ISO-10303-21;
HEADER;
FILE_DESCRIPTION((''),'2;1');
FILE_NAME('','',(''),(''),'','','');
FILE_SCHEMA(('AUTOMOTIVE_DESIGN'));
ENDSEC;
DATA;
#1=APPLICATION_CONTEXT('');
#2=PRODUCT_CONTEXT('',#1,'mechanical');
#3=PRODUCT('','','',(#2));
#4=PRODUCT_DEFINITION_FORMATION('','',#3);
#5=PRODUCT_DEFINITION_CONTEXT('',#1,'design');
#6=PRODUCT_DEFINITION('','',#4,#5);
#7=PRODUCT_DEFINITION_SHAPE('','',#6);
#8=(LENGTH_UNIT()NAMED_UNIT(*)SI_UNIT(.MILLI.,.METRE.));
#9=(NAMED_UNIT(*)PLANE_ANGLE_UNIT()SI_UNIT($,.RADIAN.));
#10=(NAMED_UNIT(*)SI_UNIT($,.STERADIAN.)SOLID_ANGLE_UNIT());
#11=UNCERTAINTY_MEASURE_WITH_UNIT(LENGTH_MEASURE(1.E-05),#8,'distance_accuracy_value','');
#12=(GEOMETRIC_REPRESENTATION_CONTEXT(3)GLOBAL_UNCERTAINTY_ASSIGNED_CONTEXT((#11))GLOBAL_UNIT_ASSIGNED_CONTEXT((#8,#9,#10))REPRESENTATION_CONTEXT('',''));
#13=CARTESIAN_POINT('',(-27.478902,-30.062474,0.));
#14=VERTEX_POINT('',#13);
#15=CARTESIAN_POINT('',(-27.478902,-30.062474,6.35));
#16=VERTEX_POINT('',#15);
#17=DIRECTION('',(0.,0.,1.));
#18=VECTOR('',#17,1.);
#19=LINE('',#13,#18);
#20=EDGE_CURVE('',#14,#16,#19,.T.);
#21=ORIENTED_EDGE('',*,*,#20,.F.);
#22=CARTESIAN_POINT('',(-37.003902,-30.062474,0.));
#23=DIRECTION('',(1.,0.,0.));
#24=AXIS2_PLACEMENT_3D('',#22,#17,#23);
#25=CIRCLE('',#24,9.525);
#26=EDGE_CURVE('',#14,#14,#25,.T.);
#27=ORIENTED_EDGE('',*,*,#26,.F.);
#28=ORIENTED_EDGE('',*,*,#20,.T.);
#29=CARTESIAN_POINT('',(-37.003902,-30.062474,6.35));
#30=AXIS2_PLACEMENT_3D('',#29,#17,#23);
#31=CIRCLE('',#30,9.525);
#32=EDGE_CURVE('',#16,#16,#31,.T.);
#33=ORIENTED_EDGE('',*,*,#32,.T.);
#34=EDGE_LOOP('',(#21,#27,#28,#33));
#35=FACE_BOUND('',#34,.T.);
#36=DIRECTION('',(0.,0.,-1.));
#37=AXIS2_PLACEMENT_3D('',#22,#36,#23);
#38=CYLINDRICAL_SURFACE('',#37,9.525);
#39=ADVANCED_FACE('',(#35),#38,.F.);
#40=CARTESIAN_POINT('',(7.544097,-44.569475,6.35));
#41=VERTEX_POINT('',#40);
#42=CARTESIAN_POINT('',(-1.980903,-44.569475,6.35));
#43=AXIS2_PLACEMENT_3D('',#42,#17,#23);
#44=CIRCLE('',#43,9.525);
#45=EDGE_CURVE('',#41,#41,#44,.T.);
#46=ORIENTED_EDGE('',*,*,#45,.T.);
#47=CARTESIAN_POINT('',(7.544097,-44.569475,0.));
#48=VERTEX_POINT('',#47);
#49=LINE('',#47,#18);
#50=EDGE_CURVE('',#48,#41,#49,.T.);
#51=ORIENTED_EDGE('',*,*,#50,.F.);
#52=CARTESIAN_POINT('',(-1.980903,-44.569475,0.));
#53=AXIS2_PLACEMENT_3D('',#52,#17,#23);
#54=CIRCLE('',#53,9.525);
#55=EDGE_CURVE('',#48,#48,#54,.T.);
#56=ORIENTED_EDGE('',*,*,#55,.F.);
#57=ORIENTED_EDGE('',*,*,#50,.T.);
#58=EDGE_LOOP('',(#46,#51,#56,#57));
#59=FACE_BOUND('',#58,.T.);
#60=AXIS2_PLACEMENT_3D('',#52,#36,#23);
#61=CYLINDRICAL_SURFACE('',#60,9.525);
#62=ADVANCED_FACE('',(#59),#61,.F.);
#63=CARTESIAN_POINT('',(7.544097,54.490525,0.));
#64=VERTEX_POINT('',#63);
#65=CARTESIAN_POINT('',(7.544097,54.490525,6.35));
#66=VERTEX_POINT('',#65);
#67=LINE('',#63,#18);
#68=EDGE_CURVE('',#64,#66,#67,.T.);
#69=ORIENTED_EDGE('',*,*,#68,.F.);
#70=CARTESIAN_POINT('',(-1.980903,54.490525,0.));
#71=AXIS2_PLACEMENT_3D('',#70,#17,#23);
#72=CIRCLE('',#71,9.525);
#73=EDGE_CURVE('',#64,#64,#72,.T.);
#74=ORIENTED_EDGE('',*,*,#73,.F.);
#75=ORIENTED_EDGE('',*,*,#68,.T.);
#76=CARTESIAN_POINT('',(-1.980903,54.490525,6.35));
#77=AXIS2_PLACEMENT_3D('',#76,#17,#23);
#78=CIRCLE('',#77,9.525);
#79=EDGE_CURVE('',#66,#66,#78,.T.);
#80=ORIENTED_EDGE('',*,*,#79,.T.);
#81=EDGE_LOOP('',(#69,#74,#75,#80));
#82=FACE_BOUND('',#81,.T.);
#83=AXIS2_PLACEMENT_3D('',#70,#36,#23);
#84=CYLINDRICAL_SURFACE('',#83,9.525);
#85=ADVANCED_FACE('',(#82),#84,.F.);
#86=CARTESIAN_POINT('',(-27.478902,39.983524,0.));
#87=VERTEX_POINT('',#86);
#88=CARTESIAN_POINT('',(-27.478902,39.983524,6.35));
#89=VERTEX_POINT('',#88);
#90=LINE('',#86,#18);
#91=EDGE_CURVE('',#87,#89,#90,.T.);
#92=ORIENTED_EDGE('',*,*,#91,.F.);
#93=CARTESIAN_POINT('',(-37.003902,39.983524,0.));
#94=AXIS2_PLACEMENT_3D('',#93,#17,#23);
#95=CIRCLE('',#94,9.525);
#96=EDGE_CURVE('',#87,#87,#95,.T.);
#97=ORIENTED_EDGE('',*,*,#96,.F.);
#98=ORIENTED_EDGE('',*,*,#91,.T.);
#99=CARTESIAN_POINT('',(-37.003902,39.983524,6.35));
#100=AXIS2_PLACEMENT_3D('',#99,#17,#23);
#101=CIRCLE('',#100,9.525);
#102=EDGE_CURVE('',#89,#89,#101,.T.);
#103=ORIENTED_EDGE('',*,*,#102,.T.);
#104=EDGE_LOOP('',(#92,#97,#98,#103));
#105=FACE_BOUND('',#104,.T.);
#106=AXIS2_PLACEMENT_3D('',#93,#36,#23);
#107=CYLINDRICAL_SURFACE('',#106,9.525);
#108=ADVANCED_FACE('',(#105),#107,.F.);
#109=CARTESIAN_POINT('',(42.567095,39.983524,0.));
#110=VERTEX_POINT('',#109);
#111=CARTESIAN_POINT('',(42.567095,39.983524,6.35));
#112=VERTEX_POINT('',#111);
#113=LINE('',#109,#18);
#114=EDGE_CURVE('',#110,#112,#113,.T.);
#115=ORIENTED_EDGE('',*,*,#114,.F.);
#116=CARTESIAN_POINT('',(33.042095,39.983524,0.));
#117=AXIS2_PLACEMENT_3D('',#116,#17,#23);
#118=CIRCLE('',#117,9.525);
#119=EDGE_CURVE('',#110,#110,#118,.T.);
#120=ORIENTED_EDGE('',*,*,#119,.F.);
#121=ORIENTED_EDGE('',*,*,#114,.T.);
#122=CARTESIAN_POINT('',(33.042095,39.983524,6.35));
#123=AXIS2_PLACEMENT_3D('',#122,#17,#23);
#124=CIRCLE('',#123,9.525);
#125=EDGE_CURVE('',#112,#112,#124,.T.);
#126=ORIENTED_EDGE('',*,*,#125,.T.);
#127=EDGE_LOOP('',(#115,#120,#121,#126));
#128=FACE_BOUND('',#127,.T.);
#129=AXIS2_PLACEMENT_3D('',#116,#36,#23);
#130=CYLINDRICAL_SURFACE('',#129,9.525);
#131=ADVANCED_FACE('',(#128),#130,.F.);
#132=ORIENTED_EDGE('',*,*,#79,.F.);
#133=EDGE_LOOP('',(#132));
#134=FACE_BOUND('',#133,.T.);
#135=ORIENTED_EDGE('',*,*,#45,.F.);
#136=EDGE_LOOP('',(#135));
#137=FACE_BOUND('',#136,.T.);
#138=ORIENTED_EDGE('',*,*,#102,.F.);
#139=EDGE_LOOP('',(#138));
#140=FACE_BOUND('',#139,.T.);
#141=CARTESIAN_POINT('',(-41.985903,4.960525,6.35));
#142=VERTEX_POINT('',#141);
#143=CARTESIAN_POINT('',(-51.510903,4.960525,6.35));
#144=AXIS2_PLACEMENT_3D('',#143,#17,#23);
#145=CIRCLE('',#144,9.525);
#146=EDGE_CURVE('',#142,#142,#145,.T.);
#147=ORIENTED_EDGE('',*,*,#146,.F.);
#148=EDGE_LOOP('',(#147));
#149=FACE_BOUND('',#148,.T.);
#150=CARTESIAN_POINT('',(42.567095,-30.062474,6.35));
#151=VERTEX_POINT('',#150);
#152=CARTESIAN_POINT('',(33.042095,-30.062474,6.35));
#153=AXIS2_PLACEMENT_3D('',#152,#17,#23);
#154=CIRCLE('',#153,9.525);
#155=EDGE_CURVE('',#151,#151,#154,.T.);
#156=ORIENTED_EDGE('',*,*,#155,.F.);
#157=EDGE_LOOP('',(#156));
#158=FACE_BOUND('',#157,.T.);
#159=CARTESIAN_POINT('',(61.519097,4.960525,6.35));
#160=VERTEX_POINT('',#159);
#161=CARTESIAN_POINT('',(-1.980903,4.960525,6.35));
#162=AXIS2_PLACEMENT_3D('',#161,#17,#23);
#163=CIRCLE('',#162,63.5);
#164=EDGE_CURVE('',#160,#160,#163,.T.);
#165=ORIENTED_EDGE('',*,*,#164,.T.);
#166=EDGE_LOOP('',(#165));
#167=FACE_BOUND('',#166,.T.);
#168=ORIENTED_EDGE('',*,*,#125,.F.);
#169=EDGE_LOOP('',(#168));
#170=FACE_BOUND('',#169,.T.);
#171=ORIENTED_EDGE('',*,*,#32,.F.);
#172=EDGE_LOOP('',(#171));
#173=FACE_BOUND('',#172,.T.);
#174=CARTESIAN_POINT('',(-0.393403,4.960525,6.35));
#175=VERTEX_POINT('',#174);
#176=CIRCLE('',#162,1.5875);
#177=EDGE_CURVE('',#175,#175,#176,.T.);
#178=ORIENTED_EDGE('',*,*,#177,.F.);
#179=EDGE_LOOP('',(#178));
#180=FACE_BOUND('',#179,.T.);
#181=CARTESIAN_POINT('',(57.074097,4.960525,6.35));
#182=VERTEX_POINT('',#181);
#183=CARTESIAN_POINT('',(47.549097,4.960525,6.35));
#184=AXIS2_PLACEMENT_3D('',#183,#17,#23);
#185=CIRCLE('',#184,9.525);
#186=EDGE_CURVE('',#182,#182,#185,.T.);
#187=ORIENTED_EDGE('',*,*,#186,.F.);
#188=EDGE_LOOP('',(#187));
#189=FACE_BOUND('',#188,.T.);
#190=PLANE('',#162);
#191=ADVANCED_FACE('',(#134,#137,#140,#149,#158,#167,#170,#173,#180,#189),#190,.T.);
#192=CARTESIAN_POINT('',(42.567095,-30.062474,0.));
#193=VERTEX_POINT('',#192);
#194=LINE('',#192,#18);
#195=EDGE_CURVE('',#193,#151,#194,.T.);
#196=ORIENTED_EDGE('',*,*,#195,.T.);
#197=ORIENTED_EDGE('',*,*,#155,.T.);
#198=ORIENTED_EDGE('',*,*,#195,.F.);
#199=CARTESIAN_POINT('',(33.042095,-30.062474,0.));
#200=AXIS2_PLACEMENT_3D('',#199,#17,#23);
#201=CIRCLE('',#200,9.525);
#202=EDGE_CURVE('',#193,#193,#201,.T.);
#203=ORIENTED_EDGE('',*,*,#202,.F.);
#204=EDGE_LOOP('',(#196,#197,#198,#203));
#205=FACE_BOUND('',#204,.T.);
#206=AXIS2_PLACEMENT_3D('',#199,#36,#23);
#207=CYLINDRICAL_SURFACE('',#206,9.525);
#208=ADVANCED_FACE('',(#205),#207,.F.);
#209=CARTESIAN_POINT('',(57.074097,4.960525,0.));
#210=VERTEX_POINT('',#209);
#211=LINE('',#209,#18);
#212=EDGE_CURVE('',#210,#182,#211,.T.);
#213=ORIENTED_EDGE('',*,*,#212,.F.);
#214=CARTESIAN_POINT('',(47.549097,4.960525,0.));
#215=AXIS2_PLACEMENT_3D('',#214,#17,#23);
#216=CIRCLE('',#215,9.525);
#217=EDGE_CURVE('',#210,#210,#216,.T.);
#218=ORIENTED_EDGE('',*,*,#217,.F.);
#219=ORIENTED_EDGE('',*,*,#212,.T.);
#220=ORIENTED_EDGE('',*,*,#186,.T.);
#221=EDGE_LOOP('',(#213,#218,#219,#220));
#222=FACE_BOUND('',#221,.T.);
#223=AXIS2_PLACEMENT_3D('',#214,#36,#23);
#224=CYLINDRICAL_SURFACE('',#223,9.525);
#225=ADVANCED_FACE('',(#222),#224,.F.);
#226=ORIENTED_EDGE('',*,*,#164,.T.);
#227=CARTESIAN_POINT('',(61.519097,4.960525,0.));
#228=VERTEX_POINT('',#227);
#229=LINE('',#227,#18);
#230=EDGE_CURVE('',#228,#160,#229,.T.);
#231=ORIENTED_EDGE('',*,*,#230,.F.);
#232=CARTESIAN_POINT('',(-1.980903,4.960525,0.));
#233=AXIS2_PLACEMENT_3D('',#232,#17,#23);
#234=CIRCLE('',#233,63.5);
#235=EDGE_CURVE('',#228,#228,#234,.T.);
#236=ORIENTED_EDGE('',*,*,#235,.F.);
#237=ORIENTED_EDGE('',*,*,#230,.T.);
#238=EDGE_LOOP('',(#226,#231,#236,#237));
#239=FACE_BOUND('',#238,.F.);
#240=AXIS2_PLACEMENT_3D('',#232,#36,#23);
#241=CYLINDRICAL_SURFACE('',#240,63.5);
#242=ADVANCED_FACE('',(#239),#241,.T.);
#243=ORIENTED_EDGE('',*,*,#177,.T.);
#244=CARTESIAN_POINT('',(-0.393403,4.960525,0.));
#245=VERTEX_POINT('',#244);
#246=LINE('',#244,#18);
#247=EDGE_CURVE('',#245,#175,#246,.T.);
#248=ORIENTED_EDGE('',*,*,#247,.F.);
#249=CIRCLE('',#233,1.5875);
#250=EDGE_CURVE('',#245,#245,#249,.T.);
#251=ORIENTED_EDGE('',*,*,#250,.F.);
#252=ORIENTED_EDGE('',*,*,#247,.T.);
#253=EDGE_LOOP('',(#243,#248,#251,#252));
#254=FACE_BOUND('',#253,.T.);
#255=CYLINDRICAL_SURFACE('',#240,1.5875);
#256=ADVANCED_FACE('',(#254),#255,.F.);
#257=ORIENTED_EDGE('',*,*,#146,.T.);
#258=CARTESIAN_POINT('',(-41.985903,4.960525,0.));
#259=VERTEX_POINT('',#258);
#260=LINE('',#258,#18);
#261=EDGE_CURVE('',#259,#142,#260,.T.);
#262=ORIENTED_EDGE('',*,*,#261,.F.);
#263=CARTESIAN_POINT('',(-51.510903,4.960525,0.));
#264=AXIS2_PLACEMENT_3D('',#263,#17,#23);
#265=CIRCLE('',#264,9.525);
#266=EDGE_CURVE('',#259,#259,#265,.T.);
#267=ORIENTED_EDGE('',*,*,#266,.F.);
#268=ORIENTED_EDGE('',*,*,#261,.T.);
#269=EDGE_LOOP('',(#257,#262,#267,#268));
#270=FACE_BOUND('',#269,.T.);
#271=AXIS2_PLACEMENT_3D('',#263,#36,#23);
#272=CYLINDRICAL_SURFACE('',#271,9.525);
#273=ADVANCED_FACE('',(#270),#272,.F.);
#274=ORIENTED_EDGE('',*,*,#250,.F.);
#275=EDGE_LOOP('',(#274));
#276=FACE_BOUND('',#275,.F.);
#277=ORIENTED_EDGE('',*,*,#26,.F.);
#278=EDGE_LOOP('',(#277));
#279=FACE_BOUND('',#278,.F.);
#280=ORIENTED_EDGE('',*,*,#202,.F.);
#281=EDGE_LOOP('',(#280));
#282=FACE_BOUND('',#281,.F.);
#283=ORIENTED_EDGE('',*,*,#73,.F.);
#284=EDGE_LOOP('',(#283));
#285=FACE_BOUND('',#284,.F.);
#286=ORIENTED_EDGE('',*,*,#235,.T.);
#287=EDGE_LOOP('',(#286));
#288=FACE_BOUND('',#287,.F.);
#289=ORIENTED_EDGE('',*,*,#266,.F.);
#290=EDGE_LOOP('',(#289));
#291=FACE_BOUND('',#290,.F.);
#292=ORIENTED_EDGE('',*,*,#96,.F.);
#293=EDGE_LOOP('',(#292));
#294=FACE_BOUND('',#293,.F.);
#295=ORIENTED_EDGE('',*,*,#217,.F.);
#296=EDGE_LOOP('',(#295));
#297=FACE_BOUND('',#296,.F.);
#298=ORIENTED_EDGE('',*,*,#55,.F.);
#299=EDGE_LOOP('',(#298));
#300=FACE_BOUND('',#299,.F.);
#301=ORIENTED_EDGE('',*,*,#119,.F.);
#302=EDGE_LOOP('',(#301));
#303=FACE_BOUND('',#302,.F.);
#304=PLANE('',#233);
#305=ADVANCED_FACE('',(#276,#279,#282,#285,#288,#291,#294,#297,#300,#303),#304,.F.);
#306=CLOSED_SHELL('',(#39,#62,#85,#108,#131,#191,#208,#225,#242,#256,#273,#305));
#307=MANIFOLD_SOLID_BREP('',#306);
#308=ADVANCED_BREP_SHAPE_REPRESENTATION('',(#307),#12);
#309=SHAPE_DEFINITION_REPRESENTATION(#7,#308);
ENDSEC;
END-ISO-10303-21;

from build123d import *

# Parameters (mm, degrees)
F0_R     = 63.5
F0_R_2   = 9.525
F0_R_3   = 34.925
F0_R_4   = 1.5875
F1_DEPTH = 6.35


with BuildPart() as f1:
    # F0 (on Top) → F1 (new body)
    with BuildSketch(Plane.XY):
        with Locations((-1.980903, 4.960525)):
            Circle(F0_R)
        with Locations((-37.003902, -30.062474)):
            Circle(F0_R_2, mode=Mode.SUBTRACT)
        with Locations((-1.980903, -44.569475)):
            Circle(F0_R_2, mode=Mode.SUBTRACT)
        with Locations((33.042095, -30.062474)):
            Circle(F0_R_2, mode=Mode.SUBTRACT)
        with Locations((-51.510903, 4.960525)):
            Circle(F0_R_2, mode=Mode.SUBTRACT)
        with Locations((-37.003902, 39.983524)):
            Circle(F0_R_2, mode=Mode.SUBTRACT)
        with Locations((-1.980903, 4.960525)):
            Circle(F0_R_3, mode=Mode.SUBTRACT)
        with Locations((47.549097, 4.960525)):
            Circle(F0_R_2, mode=Mode.SUBTRACT)
        with Locations((-1.980903, 54.490525)):
            Circle(F0_R_2, mode=Mode.SUBTRACT)
        with Locations((33.042095, 39.983524)):
            Circle(F0_R_2, mode=Mode.SUBTRACT)
        with Locations((-1.980903, 4.960525)):
            Circle(F0_R_3)
        with Locations((-1.980903, 4.960525)):
            Circle(F0_R_4, mode=Mode.SUBTRACT)
    extrude(amount=F1_DEPTH)


solid = f1.part
